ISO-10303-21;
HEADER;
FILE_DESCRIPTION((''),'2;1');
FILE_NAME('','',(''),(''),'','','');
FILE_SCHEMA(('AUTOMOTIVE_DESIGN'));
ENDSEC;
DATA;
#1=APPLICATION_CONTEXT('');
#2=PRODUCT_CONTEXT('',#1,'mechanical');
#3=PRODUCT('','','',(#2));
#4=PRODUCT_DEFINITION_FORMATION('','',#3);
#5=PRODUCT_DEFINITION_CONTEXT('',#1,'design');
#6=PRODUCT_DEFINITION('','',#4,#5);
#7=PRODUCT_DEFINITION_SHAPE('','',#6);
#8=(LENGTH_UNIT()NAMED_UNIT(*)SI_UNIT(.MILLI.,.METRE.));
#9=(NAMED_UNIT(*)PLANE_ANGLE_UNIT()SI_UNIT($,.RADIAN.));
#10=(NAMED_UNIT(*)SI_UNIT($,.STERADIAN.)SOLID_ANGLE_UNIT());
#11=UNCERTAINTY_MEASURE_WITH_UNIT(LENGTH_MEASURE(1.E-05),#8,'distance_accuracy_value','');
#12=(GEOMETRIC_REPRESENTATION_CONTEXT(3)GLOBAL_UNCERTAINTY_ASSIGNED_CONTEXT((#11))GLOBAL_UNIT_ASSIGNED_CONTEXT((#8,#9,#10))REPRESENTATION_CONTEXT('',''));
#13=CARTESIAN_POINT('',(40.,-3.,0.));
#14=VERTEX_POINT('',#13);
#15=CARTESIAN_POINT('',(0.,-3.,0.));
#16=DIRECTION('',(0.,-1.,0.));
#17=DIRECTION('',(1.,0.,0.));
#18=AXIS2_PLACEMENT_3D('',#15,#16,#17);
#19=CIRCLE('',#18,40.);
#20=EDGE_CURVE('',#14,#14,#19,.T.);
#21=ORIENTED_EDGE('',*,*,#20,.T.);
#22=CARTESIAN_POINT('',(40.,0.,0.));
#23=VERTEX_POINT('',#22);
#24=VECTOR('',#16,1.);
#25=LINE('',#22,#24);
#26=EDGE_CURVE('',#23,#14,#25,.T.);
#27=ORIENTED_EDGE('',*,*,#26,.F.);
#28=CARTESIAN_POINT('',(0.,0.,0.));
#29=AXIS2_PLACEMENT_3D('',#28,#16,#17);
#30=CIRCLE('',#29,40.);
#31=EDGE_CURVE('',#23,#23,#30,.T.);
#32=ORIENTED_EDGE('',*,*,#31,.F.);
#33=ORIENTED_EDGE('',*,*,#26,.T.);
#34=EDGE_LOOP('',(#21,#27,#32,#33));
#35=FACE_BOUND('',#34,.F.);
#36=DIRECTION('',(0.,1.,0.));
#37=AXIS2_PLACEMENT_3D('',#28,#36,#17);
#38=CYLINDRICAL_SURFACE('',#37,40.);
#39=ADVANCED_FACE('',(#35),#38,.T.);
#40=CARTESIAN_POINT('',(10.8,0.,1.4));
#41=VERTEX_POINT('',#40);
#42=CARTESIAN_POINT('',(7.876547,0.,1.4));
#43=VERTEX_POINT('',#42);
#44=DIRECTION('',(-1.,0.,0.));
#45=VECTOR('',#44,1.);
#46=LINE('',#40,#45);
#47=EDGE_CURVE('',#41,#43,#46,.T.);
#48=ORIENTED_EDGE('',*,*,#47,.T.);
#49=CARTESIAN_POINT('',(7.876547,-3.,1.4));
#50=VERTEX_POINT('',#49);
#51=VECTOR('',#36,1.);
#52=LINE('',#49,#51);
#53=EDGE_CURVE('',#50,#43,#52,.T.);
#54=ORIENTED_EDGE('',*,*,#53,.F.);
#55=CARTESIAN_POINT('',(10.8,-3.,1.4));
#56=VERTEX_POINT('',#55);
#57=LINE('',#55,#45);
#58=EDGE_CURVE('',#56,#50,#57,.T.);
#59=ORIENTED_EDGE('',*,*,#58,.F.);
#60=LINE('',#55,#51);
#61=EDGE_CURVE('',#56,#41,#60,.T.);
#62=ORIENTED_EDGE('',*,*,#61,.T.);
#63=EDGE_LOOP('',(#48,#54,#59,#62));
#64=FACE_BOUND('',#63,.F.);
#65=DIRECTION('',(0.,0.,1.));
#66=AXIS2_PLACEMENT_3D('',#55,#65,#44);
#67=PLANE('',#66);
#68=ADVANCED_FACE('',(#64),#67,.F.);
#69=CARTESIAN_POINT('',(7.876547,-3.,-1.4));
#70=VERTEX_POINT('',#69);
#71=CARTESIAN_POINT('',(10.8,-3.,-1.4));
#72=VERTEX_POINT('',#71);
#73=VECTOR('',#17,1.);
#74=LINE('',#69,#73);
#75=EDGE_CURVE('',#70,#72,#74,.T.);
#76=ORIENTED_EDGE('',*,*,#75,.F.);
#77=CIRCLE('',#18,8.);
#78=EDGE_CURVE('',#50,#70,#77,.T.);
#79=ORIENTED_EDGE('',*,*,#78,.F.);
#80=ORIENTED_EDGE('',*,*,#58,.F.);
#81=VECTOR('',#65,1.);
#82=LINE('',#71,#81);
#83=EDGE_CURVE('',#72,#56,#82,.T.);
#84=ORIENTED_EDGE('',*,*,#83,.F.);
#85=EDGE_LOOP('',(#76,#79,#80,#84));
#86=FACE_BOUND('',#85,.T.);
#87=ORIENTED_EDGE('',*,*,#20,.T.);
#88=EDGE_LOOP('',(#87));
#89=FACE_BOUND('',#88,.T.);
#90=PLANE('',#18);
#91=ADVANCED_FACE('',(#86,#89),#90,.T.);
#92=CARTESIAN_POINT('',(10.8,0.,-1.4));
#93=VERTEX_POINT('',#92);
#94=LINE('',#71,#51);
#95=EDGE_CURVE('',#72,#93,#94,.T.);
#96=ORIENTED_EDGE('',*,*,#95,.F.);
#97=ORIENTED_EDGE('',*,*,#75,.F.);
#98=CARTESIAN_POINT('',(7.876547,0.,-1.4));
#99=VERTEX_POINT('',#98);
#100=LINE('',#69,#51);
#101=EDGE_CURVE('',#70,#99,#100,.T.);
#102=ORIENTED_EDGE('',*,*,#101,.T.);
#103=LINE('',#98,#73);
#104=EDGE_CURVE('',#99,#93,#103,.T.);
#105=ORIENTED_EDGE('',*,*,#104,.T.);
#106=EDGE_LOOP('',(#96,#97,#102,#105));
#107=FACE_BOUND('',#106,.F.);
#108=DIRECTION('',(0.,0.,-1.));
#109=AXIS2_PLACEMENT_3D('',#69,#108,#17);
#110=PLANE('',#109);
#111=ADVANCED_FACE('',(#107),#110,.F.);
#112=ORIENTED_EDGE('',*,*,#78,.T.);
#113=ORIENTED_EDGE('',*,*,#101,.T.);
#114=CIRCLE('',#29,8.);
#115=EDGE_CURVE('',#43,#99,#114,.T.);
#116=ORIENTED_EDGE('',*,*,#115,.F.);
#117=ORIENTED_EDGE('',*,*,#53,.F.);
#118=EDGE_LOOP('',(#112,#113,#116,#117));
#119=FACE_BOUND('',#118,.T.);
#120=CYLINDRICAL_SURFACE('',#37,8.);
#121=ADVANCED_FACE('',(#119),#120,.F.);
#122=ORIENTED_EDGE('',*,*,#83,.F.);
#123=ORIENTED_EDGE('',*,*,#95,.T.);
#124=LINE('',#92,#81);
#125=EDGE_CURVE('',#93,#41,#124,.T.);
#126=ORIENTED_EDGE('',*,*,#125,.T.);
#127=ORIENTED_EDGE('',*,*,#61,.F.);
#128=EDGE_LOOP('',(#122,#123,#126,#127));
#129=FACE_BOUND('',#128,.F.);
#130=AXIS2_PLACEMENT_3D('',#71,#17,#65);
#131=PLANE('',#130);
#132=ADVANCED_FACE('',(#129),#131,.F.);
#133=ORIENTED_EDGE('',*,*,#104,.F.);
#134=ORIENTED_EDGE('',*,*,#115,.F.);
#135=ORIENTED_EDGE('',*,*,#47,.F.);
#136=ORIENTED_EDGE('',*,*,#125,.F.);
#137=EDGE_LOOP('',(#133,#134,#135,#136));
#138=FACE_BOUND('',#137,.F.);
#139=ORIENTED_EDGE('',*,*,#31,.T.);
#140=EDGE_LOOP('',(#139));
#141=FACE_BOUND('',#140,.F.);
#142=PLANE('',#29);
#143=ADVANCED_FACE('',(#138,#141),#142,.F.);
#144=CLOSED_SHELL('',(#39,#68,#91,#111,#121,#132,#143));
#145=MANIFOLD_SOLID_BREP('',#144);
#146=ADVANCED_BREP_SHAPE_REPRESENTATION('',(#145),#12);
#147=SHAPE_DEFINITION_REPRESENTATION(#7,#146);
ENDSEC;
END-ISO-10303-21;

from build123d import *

# Parameters (mm, degrees)
F0_R     = 40
F0_R_2   = 8
F1_DEPTH = 3
F3_DEPTH = 3


with BuildPart() as f1:
    # F0 (on Front) → F1 (new body)
    with BuildSketch(Plane.XZ):
        Circle(F0_R)
        Circle(F0_R_2, mode=Mode.SUBTRACT)
    extrude(amount=F1_DEPTH)

    # F2 (on face) → F3 (cut, through all)
    with BuildSketch(Plane.XZ.offset(3)):
        with BuildLine():
            Line((10.8, -1.4), (10.8, 1.4))
            Line((10.8, 1.4), (7.876547, 1.4))
            ThreePointArc((7.876547, 1.4), (7.969077, 0.702716), (8, 0))
            ThreePointArc((8, 0), (7.969077, -0.702716), (7.876547, -1.4))
            Line((7.876547, -1.4), (10.8, -1.4))
        make_face()
    extrude(amount=-F3_DEPTH, mode=Mode.SUBTRACT)


solid = f1.part
